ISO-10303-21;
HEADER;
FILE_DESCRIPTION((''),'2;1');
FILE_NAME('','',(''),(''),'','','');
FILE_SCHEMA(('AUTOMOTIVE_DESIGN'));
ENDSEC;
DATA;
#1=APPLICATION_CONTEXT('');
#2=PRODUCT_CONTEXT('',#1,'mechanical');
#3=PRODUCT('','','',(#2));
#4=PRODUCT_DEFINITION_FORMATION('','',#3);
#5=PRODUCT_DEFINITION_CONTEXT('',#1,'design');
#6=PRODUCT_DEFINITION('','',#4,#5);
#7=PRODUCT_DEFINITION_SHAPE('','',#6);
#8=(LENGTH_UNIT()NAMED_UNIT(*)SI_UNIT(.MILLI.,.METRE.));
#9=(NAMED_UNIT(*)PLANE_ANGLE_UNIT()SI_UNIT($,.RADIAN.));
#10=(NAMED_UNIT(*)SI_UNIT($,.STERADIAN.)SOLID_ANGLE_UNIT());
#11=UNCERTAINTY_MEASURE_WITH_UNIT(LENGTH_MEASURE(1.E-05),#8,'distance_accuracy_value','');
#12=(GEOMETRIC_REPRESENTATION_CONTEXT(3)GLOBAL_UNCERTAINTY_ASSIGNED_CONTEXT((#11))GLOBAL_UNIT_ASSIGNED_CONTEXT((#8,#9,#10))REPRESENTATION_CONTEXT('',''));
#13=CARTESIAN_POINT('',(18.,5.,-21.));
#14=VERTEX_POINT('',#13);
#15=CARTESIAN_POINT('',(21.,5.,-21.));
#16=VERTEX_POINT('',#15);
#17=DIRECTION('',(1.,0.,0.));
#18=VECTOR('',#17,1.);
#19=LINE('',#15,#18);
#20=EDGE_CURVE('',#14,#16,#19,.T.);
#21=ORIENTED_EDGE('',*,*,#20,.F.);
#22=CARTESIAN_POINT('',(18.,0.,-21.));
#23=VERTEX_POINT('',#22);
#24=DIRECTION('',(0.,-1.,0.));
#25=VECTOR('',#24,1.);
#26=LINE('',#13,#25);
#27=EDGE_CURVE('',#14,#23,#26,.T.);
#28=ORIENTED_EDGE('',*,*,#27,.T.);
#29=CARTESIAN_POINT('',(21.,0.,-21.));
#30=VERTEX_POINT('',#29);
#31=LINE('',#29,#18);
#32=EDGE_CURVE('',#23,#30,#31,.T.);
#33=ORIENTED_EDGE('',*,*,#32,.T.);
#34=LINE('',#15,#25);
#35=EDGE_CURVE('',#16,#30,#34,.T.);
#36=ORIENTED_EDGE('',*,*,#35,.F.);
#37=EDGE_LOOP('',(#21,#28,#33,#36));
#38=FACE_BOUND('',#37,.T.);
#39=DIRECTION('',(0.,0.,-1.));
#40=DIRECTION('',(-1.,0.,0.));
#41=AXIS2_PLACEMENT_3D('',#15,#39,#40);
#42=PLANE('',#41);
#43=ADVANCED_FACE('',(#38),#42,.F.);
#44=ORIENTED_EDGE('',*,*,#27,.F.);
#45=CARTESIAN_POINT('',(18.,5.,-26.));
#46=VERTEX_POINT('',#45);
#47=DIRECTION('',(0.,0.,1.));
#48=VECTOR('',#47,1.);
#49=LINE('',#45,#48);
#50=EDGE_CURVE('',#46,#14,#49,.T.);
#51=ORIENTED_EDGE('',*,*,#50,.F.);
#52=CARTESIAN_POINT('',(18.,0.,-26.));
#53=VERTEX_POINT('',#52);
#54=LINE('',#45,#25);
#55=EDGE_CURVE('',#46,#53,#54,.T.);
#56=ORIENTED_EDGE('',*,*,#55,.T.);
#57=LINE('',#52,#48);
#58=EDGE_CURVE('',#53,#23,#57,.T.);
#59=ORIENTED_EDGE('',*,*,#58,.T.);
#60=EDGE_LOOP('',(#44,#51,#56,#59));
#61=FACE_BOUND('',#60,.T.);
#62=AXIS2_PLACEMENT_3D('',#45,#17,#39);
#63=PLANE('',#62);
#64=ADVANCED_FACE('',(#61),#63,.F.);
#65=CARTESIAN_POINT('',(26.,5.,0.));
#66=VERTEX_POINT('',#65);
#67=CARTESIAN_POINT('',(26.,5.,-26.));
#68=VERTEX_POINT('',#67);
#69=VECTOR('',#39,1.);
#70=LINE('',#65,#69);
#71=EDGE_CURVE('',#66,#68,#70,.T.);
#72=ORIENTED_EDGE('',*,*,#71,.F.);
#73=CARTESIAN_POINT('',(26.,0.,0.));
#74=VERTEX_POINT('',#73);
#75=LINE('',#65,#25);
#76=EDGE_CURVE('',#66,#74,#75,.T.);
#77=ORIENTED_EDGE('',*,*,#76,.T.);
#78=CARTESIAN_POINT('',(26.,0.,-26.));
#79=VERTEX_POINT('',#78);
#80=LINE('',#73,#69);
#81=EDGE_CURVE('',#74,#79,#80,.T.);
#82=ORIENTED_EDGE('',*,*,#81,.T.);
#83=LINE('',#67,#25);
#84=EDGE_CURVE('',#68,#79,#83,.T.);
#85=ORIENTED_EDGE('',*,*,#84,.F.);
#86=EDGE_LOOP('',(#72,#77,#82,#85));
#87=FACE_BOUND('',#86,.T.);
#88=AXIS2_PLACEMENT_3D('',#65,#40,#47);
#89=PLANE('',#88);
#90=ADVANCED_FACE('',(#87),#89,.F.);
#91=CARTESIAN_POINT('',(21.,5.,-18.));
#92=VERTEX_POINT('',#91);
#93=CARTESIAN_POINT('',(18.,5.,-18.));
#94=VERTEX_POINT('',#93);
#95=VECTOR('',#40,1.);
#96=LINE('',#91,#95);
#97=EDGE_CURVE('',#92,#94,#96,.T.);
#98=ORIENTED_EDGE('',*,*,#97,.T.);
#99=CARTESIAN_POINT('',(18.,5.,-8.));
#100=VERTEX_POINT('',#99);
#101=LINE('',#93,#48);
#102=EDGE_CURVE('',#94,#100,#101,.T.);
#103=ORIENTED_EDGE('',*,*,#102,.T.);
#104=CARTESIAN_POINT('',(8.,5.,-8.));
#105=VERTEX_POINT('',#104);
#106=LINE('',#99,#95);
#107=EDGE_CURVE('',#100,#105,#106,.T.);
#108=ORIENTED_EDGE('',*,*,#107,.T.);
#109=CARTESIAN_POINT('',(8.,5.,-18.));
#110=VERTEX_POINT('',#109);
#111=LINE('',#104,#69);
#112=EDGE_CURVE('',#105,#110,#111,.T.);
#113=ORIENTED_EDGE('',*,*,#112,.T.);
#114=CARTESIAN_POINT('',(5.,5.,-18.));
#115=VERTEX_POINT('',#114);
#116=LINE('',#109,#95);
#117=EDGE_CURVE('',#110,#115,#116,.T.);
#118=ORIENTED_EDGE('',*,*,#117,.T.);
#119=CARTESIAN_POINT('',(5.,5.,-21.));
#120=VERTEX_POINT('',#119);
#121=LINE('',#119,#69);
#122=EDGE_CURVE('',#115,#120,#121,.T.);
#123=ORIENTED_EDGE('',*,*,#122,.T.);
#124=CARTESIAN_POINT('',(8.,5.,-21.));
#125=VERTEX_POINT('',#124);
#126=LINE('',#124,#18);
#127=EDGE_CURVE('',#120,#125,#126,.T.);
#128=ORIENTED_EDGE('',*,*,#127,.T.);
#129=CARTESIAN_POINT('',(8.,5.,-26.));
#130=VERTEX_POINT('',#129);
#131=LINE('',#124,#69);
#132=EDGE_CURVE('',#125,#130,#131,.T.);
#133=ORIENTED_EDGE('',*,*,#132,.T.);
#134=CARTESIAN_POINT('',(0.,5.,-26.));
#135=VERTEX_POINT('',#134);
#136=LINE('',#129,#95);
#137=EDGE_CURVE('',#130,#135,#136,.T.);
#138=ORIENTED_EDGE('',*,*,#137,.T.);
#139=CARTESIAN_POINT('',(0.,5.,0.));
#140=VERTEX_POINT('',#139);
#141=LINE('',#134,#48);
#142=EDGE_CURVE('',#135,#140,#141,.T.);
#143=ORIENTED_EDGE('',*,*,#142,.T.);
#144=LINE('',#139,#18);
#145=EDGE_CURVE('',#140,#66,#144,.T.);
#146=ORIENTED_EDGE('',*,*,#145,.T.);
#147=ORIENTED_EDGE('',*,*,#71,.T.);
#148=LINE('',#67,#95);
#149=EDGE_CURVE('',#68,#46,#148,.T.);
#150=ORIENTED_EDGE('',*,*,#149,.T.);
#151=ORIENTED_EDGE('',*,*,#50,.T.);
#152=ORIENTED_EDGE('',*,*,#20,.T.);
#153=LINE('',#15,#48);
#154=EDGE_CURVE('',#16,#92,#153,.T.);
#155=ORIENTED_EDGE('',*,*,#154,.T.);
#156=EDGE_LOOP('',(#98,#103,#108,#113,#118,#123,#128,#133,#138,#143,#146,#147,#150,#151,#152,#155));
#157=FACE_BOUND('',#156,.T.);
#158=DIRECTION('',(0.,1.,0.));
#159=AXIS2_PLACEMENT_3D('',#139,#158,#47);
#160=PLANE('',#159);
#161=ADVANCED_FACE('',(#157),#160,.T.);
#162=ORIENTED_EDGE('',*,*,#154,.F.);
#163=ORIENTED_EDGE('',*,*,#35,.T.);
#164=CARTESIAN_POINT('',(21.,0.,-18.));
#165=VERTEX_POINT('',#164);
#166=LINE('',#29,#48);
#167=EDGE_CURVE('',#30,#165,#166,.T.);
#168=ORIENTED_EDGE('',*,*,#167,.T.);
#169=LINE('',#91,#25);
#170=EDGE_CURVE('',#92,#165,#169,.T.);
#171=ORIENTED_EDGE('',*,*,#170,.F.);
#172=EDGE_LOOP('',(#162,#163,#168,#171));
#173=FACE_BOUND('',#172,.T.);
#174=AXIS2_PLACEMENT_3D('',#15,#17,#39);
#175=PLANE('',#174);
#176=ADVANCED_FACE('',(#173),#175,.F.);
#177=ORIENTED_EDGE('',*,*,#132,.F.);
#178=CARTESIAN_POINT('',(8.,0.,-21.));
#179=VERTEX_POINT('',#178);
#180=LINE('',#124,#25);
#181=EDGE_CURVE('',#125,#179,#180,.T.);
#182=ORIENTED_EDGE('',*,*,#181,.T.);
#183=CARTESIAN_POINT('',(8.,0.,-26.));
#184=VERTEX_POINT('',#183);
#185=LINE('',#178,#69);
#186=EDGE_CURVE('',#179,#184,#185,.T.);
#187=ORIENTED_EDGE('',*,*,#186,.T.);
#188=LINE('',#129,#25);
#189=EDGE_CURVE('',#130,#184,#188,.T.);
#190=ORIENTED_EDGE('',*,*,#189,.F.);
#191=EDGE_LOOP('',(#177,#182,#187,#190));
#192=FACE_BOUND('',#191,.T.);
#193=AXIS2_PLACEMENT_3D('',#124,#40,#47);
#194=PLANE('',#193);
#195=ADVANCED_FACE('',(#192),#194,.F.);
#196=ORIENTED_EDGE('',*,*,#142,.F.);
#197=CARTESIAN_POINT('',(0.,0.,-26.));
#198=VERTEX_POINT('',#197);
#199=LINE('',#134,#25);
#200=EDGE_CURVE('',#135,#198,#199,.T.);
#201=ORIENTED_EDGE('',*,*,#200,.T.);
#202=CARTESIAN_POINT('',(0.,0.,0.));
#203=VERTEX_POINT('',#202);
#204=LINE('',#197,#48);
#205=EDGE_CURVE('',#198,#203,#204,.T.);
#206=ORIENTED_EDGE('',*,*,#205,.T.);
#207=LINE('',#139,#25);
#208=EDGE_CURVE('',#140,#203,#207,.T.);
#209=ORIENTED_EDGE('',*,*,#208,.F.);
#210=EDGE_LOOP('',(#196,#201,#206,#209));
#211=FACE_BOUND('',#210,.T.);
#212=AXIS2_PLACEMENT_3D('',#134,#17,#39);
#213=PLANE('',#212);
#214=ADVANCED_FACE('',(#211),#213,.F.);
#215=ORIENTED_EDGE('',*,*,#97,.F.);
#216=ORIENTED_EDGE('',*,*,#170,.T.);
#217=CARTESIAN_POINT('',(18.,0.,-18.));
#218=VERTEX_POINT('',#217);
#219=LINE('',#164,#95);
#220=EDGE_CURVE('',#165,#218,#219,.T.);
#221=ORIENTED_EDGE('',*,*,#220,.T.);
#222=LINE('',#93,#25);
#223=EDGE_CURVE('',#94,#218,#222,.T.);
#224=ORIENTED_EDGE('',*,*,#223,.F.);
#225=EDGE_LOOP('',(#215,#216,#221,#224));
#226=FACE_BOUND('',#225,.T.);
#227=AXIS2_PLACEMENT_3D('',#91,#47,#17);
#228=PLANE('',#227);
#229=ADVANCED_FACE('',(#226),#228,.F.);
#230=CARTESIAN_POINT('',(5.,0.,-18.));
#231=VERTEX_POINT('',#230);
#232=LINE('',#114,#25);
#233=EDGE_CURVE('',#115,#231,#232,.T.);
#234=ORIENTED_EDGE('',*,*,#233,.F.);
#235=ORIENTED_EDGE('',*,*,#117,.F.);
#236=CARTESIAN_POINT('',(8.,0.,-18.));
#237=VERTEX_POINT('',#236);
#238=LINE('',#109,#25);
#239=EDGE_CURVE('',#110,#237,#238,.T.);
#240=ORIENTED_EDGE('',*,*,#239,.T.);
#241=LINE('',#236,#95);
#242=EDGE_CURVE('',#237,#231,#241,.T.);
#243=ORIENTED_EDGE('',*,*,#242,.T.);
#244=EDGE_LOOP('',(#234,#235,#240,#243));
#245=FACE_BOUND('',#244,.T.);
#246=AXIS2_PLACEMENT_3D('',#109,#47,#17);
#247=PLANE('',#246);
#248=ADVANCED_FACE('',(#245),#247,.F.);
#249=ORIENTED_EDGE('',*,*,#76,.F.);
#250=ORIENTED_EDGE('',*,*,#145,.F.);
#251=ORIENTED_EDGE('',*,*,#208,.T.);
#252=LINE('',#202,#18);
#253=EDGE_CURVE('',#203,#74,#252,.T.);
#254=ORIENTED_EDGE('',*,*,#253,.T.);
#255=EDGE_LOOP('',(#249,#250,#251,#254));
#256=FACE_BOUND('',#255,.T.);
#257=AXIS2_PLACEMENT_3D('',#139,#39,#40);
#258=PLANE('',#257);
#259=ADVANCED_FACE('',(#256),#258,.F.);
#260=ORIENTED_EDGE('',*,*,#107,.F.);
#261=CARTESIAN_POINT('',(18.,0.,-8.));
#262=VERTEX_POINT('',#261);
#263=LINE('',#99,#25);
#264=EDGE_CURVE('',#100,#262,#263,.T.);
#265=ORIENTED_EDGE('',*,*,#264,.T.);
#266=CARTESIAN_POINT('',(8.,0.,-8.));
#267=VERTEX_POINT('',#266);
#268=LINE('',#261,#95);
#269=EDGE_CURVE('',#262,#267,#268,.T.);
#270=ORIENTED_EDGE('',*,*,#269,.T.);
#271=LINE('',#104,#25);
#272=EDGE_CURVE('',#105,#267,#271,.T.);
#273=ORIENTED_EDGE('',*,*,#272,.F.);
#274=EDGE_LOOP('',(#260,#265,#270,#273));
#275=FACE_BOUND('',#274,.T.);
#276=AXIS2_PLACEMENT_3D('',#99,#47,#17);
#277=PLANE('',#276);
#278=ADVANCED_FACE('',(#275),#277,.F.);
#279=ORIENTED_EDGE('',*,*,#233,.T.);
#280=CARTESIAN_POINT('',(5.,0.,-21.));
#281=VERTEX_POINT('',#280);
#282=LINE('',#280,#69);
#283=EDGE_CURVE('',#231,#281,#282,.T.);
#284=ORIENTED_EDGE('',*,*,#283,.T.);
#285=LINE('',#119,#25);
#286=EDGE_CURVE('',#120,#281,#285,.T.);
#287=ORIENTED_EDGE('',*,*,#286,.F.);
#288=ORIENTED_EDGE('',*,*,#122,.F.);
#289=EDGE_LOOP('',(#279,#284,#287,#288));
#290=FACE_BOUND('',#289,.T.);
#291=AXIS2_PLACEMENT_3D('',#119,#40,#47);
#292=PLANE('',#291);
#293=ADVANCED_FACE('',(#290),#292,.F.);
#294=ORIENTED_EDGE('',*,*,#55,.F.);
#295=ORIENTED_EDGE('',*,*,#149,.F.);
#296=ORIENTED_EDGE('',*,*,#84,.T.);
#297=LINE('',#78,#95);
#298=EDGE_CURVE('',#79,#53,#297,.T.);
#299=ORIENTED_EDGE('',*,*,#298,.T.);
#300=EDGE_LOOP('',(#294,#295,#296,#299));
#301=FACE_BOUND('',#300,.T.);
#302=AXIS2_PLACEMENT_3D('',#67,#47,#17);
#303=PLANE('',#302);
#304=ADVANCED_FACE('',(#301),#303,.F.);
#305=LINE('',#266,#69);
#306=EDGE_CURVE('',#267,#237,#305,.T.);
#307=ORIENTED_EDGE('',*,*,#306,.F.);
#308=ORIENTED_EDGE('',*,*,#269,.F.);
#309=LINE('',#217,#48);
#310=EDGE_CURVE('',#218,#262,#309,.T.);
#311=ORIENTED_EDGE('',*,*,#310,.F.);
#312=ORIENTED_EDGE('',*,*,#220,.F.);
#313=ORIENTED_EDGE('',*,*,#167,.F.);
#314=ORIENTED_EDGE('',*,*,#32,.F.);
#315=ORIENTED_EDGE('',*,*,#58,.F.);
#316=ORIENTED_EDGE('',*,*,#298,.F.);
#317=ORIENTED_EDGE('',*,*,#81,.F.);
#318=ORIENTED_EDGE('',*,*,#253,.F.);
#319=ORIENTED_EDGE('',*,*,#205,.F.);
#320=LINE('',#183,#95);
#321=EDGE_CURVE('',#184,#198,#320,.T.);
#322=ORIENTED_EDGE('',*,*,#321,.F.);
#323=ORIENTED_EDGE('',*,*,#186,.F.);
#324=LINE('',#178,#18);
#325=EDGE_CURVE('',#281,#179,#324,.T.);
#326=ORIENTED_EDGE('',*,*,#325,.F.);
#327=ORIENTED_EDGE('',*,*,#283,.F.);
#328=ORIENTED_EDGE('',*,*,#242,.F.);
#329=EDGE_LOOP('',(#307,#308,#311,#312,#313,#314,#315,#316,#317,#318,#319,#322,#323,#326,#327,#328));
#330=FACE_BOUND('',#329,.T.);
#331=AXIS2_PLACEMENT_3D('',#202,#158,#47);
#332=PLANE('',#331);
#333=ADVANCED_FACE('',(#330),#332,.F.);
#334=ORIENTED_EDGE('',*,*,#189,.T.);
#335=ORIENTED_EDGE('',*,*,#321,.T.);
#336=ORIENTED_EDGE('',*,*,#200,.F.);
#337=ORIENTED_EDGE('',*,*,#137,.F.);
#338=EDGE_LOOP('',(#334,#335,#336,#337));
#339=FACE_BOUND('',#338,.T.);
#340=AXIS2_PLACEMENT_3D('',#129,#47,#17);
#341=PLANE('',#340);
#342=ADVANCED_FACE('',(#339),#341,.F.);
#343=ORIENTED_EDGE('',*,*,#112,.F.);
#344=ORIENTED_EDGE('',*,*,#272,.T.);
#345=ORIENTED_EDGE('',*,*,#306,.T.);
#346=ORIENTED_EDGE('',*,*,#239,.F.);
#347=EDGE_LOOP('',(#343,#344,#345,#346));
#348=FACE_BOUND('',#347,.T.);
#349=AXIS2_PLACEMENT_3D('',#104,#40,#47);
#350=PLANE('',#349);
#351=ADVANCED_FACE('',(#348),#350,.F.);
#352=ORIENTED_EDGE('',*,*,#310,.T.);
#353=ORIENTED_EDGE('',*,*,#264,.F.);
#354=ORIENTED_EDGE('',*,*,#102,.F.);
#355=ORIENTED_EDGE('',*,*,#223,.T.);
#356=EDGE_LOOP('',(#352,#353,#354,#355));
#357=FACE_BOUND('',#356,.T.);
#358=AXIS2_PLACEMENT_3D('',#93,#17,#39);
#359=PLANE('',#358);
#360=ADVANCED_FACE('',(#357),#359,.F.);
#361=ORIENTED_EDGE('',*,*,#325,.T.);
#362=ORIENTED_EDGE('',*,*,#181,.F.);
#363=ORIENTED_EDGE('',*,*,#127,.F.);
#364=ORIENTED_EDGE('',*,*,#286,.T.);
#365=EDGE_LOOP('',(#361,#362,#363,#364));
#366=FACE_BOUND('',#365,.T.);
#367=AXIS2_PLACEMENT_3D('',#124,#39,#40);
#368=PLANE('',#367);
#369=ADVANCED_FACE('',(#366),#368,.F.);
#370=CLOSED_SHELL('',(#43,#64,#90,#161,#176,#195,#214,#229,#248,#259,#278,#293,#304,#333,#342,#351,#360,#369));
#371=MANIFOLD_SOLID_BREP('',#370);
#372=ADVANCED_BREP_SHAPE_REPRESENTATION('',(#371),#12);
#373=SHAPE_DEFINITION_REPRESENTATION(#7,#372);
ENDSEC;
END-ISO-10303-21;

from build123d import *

# Parameters (mm, degrees)
EXTRUDE_1_DEPTH = 5


with BuildPart() as part:
    # 草图1 → 凸台-拉伸1 (new body)
    with BuildSketch(Plane(origin=(0, 0, 0), x_dir=(1, 0, 0), z_dir=(0, 1, 0))):
        Polygon((0, 26), (0, 0), (26, 0), (26, 26), (18, 26), (18, 21), (21, 21), (21, 18), (18, 18), (18, 8), (8, 8), (8, 18), (5, 18), (5, 21), (8, 21), (8, 26), align=None)
    extrude(amount=EXTRUDE_1_DEPTH)


solid = part.part
